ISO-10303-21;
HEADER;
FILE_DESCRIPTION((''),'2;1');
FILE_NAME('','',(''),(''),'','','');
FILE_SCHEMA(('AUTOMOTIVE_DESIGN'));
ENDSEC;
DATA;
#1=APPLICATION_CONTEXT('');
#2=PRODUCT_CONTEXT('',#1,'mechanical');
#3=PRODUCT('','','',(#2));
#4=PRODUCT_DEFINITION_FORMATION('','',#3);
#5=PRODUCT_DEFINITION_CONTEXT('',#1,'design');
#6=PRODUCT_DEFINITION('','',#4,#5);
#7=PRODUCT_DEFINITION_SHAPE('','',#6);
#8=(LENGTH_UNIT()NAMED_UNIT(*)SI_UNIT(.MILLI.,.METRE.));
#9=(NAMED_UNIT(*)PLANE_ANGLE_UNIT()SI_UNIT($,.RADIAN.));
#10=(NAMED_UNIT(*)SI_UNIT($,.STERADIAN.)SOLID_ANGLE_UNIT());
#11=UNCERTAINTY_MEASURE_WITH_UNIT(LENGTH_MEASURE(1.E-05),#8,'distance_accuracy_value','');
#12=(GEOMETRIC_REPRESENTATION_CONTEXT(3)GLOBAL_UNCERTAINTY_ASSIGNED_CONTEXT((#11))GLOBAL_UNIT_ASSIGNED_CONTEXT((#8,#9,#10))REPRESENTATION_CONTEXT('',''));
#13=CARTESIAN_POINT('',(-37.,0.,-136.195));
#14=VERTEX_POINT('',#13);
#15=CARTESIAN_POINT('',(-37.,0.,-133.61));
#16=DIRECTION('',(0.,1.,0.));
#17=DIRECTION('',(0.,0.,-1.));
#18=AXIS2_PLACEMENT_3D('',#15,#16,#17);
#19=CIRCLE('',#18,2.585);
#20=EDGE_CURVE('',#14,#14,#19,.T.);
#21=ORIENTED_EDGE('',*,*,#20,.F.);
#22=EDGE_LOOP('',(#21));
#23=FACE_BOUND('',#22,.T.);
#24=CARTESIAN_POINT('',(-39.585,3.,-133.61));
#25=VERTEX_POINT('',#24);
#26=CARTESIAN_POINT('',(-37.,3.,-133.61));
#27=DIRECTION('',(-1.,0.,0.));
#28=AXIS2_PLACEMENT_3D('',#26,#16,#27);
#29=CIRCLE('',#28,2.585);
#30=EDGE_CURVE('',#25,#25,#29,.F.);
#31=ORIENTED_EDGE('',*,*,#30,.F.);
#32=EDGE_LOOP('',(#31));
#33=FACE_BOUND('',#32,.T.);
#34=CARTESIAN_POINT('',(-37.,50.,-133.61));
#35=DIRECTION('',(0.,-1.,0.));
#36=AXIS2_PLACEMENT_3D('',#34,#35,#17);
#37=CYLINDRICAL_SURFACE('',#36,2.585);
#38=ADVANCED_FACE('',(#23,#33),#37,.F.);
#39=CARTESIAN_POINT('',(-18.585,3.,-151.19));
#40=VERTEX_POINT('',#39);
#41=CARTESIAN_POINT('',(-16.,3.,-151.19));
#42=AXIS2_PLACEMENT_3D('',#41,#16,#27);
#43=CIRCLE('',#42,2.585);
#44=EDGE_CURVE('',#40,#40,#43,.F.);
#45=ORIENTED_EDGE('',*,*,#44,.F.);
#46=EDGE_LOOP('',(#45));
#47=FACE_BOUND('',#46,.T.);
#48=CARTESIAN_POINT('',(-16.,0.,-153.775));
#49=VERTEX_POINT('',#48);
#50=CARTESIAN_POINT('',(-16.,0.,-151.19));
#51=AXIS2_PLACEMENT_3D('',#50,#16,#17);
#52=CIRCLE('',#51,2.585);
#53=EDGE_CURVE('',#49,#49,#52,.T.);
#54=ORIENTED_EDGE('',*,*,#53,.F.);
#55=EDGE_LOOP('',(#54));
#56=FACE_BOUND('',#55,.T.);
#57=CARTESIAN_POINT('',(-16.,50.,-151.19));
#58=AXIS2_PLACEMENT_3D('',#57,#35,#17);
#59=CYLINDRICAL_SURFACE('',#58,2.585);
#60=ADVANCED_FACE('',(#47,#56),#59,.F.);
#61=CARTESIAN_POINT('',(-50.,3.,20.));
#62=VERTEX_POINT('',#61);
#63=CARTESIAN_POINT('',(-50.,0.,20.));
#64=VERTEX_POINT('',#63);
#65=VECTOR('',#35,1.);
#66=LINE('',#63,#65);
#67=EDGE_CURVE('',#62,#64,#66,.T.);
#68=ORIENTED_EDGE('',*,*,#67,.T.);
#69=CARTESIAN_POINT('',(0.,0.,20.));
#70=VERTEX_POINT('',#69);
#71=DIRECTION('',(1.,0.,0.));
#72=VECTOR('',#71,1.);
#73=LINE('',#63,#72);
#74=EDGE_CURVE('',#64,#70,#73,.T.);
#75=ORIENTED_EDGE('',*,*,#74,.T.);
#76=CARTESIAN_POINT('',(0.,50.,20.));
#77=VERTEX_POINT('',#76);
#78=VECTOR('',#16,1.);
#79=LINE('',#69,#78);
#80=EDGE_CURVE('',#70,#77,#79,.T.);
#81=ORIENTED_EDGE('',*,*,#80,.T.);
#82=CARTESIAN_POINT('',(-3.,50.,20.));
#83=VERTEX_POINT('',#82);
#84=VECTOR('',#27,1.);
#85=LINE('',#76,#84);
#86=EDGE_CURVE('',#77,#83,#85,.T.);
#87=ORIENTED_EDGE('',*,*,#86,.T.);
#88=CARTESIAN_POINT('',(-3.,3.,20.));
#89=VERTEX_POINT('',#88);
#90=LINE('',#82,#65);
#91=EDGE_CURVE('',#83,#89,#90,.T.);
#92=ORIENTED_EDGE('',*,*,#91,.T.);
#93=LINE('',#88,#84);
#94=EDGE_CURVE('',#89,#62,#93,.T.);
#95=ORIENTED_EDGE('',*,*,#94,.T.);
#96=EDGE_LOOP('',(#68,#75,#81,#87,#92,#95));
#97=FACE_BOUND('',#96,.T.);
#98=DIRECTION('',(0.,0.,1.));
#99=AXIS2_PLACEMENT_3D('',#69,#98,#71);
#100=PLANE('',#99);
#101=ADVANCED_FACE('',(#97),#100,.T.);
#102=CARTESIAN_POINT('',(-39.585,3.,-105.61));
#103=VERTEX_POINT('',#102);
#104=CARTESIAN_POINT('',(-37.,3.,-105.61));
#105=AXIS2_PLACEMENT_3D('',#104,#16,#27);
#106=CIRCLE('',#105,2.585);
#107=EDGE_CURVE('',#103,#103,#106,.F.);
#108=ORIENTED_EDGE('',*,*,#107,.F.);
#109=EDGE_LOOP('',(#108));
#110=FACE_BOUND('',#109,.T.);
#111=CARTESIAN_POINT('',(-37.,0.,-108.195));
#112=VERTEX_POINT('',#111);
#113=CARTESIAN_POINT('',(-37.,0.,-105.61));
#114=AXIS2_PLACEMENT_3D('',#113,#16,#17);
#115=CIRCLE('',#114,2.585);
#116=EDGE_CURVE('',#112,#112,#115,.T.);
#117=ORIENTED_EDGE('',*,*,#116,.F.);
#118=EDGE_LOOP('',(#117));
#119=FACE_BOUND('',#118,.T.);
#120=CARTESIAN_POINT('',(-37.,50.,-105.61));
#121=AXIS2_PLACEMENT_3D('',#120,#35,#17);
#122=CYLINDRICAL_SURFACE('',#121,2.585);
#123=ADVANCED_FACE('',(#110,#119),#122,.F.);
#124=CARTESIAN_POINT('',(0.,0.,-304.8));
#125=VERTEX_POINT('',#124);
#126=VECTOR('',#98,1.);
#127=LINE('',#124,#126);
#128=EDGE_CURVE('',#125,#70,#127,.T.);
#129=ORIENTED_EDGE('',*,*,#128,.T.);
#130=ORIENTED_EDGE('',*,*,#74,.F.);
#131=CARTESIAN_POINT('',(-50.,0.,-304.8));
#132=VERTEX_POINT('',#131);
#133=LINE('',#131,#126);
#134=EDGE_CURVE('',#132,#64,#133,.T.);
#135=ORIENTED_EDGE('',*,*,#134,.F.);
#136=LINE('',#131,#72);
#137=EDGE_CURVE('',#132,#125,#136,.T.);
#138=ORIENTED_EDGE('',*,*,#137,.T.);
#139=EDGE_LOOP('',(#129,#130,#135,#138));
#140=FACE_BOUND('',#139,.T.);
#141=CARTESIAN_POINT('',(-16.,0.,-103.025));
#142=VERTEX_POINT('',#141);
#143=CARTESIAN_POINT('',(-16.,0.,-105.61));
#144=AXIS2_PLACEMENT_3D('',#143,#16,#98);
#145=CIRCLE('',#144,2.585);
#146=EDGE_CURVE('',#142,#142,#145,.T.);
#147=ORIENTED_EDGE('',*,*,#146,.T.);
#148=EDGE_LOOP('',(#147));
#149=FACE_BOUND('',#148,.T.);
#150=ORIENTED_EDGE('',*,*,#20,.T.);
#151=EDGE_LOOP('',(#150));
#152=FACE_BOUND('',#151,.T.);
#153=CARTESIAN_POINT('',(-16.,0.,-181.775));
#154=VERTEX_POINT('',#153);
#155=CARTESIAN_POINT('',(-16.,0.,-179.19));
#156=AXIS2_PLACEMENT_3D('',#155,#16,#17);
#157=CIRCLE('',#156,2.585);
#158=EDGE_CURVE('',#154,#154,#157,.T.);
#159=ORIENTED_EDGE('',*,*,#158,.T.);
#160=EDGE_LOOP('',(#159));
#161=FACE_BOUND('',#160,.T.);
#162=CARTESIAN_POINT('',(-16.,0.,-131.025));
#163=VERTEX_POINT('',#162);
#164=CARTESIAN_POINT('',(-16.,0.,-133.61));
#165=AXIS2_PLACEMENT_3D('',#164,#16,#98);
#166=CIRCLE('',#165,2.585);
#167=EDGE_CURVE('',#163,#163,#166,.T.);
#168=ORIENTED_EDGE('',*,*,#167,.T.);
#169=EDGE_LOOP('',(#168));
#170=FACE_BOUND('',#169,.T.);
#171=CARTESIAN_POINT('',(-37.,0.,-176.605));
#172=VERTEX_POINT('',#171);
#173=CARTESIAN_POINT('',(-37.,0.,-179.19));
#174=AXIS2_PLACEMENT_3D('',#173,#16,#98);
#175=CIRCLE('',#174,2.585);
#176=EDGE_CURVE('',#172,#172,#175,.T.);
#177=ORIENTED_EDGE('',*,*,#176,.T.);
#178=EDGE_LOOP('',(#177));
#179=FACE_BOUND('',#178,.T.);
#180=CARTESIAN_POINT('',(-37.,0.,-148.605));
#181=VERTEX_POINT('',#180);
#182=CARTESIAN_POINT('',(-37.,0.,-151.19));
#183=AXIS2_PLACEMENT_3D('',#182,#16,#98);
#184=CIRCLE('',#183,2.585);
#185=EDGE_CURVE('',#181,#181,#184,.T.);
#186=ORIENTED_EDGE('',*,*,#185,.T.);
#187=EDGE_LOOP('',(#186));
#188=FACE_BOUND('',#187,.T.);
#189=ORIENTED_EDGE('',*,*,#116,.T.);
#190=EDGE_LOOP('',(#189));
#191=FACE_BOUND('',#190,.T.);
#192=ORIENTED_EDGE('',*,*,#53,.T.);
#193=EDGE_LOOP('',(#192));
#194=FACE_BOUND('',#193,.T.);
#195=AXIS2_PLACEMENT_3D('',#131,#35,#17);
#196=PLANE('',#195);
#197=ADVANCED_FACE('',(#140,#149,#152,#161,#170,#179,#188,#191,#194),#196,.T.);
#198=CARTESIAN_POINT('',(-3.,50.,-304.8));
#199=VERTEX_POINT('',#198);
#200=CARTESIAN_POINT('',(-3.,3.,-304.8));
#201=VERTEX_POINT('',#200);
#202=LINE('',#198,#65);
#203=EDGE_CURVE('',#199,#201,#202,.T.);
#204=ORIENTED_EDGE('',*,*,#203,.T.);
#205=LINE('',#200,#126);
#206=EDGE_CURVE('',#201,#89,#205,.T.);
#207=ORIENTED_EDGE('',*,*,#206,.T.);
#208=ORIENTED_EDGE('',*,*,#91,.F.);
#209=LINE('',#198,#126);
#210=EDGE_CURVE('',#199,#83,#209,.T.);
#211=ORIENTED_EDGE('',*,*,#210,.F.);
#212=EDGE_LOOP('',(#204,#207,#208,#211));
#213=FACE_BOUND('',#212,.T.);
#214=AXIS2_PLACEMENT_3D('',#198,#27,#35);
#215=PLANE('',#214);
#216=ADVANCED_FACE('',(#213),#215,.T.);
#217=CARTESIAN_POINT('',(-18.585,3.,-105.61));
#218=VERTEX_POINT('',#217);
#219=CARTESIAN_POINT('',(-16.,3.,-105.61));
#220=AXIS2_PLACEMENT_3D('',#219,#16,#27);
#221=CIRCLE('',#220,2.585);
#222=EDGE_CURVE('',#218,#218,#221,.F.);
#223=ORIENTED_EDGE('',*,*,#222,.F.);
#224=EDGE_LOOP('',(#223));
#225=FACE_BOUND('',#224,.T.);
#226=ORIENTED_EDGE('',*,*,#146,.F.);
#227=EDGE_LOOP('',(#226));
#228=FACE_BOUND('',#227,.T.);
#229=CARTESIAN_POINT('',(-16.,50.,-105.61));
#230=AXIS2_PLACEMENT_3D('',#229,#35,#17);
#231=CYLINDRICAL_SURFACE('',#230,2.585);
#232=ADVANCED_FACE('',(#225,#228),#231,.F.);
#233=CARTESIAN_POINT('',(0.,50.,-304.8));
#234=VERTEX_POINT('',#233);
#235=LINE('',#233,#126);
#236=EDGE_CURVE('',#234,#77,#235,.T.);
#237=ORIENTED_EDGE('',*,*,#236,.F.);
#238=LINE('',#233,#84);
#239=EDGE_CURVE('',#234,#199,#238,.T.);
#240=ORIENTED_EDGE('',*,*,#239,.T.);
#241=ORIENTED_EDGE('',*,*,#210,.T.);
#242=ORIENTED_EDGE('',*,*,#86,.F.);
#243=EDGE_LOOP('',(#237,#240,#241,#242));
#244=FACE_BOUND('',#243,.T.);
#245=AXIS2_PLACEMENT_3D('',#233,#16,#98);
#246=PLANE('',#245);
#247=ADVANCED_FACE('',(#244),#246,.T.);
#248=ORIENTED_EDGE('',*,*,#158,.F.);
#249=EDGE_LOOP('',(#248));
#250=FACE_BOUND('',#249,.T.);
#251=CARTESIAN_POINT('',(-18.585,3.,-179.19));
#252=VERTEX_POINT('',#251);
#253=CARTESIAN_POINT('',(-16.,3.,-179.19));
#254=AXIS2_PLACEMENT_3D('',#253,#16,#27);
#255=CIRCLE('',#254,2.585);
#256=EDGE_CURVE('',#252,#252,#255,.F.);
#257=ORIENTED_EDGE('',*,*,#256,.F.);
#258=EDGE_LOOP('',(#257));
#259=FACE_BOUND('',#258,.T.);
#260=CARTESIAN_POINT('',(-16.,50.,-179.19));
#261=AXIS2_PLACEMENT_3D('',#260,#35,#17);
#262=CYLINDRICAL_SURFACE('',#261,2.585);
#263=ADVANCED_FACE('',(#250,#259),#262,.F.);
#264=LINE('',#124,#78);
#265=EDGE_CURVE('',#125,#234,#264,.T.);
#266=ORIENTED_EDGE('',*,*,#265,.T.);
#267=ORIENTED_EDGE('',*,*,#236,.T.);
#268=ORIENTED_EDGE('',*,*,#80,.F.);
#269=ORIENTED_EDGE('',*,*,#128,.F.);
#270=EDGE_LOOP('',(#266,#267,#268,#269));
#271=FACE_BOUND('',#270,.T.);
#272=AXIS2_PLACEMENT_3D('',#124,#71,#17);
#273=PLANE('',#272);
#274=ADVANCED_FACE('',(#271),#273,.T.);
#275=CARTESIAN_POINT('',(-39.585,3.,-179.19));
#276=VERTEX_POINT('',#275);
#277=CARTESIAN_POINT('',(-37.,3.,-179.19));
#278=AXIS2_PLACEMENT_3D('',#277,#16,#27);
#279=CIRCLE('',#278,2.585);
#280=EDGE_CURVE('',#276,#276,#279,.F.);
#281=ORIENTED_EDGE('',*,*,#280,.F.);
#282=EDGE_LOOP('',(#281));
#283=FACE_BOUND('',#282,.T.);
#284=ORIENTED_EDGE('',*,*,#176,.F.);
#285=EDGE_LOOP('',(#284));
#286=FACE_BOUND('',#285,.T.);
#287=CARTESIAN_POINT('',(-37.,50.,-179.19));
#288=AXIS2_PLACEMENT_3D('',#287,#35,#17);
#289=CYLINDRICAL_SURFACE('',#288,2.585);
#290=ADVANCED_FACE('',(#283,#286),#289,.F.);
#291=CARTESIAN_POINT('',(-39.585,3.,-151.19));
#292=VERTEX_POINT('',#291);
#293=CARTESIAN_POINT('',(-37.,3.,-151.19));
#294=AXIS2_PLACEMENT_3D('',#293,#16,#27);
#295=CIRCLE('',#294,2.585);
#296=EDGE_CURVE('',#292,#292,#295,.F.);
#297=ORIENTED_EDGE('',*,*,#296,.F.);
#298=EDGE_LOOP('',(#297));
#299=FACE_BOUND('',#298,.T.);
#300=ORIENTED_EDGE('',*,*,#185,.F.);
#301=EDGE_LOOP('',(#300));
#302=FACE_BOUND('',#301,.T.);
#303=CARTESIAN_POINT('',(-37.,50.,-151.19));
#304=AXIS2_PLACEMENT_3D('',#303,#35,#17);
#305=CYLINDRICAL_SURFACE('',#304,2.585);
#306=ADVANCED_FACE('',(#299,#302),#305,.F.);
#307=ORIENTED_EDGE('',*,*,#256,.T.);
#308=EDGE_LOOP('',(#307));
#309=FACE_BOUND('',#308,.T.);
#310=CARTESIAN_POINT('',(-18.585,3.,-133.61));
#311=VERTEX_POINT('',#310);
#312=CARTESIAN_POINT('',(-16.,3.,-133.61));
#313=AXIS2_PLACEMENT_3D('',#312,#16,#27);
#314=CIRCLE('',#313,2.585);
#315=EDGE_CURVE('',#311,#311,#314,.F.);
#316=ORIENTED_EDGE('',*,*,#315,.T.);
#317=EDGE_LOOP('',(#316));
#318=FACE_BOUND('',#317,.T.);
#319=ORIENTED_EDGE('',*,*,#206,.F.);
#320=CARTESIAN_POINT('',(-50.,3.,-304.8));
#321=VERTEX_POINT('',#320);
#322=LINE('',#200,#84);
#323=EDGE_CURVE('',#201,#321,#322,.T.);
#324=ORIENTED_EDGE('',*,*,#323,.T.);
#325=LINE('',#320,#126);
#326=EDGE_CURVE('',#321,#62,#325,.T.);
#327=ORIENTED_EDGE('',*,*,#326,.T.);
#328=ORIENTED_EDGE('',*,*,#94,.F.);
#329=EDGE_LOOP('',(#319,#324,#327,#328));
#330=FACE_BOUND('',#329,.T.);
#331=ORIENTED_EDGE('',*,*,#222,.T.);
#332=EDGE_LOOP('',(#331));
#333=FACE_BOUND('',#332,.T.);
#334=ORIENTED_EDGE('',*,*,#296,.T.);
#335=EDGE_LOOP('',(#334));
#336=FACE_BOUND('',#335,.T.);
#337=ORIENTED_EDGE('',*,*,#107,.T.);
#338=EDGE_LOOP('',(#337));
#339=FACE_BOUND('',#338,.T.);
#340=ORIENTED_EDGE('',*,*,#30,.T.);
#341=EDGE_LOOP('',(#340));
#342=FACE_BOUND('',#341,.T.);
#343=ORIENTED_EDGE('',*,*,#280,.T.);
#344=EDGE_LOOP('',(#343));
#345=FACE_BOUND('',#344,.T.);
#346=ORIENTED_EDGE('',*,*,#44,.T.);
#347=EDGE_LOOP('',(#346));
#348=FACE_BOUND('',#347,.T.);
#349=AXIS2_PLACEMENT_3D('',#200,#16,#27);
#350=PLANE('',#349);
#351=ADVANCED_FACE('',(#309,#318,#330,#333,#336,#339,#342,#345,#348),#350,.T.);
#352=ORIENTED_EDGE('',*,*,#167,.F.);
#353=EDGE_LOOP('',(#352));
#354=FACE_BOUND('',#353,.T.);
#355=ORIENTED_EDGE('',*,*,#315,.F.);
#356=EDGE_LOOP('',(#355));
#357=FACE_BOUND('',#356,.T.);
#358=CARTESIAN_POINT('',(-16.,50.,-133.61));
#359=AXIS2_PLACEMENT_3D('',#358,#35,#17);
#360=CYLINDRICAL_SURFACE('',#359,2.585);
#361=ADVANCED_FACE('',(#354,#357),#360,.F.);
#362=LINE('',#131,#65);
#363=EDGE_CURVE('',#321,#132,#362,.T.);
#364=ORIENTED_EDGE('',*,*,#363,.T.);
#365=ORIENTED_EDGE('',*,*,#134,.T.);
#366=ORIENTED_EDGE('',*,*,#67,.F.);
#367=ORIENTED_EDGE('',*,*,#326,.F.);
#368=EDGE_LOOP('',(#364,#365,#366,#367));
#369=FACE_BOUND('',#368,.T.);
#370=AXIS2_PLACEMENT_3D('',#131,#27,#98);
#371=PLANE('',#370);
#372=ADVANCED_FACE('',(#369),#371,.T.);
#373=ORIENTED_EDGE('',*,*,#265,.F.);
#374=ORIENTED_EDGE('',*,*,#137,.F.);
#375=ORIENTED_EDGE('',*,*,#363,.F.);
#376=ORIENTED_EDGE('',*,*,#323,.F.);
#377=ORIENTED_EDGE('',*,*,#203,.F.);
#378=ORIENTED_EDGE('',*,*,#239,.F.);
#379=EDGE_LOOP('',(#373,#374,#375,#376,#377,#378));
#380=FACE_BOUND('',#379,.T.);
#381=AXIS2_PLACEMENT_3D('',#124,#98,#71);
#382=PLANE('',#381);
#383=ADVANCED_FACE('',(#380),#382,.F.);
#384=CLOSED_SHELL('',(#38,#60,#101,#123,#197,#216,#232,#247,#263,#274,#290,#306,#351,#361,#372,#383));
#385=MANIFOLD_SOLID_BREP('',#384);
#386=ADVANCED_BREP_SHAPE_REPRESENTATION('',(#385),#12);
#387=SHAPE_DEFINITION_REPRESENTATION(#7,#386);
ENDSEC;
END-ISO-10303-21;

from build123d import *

# Parameters (mm, degrees)
BOSS_EXTRUDE1_DEPTH      = 20
BOSS_EXTRUDE1_DEPTH_BACK = 304.8
SKETCH4_R                = 2.585
CUT_EXTRUDE1_DEPTH       = 313.894614847


with BuildPart() as part:
    # Sketch3 → Boss-Extrude1 (new, two sides: drawn at the far end of the back side and taken through both)
    with BuildSketch(Plane.XY.offset(-BOSS_EXTRUDE1_DEPTH_BACK)):
        Polygon((-50, 0), (0, 0), (0, 50), (-3, 50), (-3, 3), (-50, 3), align=None)
    extrude(amount=BOSS_EXTRUDE1_DEPTH + BOSS_EXTRUDE1_DEPTH_BACK)

    # Sketch4 → Cut-Extrude1 (cut, through all)
    with BuildSketch(Plane(origin=(0, 0, 0), x_dir=(1, 0, 0), z_dir=(0, 1, 0))):
        with Locations(Location((-37, 151.19, 0), (0, 0, 180))):
            Circle(SKETCH4_R)
        with Locations(Location((-16, 151.19, 0), (0, 0, 90))):
            Circle(SKETCH4_R)
        with Locations(Location((-37, 179.19, 0), (0, 0, 180))):
            Circle(SKETCH4_R)
        with Locations(Location((-16, 179.19, 0), (0, 0, 90))):
            Circle(SKETCH4_R)
        with Locations(Location((-37, 105.61, 0), (0, 0, 90))):
            Circle(SKETCH4_R)
        with Locations(Location((-16, 105.61, 0), (0, 0, 180))):
            Circle(SKETCH4_R)
        with Locations(Location((-16, 133.61, 0), (0, 0, 180))):
            Circle(SKETCH4_R)
        with Locations(Location((-37, 133.61, 0), (0, 0, 90))):
            Circle(SKETCH4_R)
    extrude(amount=CUT_EXTRUDE1_DEPTH, mode=Mode.SUBTRACT)


solid = part.part
